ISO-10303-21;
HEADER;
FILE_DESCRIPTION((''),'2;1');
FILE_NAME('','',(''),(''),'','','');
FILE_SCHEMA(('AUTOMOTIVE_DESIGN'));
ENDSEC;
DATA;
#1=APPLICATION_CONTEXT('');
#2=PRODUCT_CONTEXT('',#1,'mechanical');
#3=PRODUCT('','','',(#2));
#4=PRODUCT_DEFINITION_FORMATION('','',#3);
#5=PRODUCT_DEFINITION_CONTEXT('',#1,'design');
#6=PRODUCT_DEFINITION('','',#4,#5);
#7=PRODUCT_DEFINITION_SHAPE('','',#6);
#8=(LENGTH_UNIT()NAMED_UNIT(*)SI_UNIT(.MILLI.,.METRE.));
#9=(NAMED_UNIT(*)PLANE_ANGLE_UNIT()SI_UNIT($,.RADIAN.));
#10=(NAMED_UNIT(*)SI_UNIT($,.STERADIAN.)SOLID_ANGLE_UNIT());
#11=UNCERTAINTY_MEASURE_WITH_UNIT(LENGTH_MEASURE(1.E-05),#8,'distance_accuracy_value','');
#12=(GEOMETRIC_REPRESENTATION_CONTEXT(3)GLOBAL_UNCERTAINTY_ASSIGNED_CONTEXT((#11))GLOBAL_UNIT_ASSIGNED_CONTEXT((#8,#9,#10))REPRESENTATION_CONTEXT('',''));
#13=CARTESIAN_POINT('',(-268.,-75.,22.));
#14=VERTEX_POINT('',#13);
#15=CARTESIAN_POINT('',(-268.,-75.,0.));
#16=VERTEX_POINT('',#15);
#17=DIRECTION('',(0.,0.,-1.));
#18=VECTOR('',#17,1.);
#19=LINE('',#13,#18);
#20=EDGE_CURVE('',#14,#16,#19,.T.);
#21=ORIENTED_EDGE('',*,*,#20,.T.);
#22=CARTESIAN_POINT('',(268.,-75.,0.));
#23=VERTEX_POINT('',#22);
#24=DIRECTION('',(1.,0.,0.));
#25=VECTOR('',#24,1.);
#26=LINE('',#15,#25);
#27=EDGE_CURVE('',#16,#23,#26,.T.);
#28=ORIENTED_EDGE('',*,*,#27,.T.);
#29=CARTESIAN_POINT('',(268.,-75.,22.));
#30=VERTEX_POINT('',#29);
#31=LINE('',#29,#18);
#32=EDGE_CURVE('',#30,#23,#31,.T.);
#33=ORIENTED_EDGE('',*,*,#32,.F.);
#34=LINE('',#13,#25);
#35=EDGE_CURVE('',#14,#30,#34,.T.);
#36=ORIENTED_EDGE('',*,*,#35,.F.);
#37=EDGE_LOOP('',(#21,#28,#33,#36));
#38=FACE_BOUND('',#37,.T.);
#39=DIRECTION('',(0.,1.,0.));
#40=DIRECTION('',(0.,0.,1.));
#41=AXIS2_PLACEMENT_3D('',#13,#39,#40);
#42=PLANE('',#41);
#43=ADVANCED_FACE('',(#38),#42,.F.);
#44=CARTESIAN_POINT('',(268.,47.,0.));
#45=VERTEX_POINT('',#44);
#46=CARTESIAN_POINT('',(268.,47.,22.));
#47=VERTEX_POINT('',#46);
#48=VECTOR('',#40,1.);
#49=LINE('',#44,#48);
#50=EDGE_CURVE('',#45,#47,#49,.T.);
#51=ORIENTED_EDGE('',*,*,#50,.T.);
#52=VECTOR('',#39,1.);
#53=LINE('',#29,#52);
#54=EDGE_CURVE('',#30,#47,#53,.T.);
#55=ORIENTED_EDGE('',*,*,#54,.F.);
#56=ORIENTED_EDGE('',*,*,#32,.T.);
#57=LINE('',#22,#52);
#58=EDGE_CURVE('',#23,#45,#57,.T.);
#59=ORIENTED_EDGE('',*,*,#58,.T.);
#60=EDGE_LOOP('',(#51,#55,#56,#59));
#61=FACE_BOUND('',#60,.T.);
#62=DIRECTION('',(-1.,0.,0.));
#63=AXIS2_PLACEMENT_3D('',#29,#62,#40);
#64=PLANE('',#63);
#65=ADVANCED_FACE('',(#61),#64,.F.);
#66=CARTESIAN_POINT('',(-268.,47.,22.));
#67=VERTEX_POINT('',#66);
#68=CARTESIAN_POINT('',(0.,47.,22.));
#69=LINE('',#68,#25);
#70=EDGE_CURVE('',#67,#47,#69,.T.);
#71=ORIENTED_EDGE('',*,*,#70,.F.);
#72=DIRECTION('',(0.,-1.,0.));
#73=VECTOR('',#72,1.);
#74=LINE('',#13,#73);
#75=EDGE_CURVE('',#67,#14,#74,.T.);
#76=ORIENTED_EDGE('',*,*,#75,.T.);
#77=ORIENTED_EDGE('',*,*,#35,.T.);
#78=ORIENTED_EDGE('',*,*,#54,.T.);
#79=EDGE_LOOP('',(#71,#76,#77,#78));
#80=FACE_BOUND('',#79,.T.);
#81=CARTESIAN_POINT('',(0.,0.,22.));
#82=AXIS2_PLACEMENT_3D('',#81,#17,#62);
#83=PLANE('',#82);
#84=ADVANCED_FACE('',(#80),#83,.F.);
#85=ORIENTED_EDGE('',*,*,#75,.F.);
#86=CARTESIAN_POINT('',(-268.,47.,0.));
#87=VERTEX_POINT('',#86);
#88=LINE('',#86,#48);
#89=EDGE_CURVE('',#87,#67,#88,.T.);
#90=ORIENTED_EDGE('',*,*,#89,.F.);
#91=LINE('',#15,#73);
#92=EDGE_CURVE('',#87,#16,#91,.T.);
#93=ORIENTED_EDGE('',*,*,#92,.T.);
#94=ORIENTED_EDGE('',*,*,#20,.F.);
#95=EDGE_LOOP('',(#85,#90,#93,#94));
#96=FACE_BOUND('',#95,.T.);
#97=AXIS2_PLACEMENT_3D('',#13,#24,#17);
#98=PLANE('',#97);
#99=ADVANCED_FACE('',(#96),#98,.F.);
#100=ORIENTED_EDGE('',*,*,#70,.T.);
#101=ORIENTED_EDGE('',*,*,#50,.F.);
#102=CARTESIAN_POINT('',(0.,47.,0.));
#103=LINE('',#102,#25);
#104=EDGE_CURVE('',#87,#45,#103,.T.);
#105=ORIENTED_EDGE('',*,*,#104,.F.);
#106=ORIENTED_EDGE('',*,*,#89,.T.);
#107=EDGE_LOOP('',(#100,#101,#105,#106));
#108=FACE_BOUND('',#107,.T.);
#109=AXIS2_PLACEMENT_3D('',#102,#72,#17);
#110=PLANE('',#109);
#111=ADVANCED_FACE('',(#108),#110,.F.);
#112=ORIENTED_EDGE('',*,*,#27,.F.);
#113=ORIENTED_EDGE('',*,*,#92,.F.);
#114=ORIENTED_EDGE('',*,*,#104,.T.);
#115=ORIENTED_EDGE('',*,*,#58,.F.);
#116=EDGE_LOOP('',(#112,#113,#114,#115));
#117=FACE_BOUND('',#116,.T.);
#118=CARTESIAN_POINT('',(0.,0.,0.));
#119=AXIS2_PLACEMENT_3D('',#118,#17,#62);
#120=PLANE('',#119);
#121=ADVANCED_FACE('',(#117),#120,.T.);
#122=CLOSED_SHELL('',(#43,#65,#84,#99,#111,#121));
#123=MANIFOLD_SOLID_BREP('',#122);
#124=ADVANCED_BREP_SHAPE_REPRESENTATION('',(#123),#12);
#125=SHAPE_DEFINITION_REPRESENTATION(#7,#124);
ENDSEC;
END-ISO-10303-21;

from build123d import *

# Parameters (mm, degrees)
SKETCH1_W           = 536
SKETCH1_H           = 150
BOSS_EXTRUDE1_DEPTH = 22
SKETCH2_W           = 536
SKETCH2_H           = 28
CUT_EXTRUDE1_DEPTH  = 23


with BuildPart() as part:
    # Sketch1 → Boss-Extrude1 (new body)
    with BuildSketch(Plane.XY):
        Rectangle(SKETCH1_W, SKETCH1_H)
    extrude(amount=BOSS_EXTRUDE1_DEPTH)

    # Sketch2 → Cut-Extrude1 (cut, through all)
    with BuildSketch(Plane.XY.offset(22)):
        with Locations((0, 61)):
            Rectangle(SKETCH2_W, SKETCH2_H)
    extrude(amount=-CUT_EXTRUDE1_DEPTH, mode=Mode.SUBTRACT)


solid = part.part
